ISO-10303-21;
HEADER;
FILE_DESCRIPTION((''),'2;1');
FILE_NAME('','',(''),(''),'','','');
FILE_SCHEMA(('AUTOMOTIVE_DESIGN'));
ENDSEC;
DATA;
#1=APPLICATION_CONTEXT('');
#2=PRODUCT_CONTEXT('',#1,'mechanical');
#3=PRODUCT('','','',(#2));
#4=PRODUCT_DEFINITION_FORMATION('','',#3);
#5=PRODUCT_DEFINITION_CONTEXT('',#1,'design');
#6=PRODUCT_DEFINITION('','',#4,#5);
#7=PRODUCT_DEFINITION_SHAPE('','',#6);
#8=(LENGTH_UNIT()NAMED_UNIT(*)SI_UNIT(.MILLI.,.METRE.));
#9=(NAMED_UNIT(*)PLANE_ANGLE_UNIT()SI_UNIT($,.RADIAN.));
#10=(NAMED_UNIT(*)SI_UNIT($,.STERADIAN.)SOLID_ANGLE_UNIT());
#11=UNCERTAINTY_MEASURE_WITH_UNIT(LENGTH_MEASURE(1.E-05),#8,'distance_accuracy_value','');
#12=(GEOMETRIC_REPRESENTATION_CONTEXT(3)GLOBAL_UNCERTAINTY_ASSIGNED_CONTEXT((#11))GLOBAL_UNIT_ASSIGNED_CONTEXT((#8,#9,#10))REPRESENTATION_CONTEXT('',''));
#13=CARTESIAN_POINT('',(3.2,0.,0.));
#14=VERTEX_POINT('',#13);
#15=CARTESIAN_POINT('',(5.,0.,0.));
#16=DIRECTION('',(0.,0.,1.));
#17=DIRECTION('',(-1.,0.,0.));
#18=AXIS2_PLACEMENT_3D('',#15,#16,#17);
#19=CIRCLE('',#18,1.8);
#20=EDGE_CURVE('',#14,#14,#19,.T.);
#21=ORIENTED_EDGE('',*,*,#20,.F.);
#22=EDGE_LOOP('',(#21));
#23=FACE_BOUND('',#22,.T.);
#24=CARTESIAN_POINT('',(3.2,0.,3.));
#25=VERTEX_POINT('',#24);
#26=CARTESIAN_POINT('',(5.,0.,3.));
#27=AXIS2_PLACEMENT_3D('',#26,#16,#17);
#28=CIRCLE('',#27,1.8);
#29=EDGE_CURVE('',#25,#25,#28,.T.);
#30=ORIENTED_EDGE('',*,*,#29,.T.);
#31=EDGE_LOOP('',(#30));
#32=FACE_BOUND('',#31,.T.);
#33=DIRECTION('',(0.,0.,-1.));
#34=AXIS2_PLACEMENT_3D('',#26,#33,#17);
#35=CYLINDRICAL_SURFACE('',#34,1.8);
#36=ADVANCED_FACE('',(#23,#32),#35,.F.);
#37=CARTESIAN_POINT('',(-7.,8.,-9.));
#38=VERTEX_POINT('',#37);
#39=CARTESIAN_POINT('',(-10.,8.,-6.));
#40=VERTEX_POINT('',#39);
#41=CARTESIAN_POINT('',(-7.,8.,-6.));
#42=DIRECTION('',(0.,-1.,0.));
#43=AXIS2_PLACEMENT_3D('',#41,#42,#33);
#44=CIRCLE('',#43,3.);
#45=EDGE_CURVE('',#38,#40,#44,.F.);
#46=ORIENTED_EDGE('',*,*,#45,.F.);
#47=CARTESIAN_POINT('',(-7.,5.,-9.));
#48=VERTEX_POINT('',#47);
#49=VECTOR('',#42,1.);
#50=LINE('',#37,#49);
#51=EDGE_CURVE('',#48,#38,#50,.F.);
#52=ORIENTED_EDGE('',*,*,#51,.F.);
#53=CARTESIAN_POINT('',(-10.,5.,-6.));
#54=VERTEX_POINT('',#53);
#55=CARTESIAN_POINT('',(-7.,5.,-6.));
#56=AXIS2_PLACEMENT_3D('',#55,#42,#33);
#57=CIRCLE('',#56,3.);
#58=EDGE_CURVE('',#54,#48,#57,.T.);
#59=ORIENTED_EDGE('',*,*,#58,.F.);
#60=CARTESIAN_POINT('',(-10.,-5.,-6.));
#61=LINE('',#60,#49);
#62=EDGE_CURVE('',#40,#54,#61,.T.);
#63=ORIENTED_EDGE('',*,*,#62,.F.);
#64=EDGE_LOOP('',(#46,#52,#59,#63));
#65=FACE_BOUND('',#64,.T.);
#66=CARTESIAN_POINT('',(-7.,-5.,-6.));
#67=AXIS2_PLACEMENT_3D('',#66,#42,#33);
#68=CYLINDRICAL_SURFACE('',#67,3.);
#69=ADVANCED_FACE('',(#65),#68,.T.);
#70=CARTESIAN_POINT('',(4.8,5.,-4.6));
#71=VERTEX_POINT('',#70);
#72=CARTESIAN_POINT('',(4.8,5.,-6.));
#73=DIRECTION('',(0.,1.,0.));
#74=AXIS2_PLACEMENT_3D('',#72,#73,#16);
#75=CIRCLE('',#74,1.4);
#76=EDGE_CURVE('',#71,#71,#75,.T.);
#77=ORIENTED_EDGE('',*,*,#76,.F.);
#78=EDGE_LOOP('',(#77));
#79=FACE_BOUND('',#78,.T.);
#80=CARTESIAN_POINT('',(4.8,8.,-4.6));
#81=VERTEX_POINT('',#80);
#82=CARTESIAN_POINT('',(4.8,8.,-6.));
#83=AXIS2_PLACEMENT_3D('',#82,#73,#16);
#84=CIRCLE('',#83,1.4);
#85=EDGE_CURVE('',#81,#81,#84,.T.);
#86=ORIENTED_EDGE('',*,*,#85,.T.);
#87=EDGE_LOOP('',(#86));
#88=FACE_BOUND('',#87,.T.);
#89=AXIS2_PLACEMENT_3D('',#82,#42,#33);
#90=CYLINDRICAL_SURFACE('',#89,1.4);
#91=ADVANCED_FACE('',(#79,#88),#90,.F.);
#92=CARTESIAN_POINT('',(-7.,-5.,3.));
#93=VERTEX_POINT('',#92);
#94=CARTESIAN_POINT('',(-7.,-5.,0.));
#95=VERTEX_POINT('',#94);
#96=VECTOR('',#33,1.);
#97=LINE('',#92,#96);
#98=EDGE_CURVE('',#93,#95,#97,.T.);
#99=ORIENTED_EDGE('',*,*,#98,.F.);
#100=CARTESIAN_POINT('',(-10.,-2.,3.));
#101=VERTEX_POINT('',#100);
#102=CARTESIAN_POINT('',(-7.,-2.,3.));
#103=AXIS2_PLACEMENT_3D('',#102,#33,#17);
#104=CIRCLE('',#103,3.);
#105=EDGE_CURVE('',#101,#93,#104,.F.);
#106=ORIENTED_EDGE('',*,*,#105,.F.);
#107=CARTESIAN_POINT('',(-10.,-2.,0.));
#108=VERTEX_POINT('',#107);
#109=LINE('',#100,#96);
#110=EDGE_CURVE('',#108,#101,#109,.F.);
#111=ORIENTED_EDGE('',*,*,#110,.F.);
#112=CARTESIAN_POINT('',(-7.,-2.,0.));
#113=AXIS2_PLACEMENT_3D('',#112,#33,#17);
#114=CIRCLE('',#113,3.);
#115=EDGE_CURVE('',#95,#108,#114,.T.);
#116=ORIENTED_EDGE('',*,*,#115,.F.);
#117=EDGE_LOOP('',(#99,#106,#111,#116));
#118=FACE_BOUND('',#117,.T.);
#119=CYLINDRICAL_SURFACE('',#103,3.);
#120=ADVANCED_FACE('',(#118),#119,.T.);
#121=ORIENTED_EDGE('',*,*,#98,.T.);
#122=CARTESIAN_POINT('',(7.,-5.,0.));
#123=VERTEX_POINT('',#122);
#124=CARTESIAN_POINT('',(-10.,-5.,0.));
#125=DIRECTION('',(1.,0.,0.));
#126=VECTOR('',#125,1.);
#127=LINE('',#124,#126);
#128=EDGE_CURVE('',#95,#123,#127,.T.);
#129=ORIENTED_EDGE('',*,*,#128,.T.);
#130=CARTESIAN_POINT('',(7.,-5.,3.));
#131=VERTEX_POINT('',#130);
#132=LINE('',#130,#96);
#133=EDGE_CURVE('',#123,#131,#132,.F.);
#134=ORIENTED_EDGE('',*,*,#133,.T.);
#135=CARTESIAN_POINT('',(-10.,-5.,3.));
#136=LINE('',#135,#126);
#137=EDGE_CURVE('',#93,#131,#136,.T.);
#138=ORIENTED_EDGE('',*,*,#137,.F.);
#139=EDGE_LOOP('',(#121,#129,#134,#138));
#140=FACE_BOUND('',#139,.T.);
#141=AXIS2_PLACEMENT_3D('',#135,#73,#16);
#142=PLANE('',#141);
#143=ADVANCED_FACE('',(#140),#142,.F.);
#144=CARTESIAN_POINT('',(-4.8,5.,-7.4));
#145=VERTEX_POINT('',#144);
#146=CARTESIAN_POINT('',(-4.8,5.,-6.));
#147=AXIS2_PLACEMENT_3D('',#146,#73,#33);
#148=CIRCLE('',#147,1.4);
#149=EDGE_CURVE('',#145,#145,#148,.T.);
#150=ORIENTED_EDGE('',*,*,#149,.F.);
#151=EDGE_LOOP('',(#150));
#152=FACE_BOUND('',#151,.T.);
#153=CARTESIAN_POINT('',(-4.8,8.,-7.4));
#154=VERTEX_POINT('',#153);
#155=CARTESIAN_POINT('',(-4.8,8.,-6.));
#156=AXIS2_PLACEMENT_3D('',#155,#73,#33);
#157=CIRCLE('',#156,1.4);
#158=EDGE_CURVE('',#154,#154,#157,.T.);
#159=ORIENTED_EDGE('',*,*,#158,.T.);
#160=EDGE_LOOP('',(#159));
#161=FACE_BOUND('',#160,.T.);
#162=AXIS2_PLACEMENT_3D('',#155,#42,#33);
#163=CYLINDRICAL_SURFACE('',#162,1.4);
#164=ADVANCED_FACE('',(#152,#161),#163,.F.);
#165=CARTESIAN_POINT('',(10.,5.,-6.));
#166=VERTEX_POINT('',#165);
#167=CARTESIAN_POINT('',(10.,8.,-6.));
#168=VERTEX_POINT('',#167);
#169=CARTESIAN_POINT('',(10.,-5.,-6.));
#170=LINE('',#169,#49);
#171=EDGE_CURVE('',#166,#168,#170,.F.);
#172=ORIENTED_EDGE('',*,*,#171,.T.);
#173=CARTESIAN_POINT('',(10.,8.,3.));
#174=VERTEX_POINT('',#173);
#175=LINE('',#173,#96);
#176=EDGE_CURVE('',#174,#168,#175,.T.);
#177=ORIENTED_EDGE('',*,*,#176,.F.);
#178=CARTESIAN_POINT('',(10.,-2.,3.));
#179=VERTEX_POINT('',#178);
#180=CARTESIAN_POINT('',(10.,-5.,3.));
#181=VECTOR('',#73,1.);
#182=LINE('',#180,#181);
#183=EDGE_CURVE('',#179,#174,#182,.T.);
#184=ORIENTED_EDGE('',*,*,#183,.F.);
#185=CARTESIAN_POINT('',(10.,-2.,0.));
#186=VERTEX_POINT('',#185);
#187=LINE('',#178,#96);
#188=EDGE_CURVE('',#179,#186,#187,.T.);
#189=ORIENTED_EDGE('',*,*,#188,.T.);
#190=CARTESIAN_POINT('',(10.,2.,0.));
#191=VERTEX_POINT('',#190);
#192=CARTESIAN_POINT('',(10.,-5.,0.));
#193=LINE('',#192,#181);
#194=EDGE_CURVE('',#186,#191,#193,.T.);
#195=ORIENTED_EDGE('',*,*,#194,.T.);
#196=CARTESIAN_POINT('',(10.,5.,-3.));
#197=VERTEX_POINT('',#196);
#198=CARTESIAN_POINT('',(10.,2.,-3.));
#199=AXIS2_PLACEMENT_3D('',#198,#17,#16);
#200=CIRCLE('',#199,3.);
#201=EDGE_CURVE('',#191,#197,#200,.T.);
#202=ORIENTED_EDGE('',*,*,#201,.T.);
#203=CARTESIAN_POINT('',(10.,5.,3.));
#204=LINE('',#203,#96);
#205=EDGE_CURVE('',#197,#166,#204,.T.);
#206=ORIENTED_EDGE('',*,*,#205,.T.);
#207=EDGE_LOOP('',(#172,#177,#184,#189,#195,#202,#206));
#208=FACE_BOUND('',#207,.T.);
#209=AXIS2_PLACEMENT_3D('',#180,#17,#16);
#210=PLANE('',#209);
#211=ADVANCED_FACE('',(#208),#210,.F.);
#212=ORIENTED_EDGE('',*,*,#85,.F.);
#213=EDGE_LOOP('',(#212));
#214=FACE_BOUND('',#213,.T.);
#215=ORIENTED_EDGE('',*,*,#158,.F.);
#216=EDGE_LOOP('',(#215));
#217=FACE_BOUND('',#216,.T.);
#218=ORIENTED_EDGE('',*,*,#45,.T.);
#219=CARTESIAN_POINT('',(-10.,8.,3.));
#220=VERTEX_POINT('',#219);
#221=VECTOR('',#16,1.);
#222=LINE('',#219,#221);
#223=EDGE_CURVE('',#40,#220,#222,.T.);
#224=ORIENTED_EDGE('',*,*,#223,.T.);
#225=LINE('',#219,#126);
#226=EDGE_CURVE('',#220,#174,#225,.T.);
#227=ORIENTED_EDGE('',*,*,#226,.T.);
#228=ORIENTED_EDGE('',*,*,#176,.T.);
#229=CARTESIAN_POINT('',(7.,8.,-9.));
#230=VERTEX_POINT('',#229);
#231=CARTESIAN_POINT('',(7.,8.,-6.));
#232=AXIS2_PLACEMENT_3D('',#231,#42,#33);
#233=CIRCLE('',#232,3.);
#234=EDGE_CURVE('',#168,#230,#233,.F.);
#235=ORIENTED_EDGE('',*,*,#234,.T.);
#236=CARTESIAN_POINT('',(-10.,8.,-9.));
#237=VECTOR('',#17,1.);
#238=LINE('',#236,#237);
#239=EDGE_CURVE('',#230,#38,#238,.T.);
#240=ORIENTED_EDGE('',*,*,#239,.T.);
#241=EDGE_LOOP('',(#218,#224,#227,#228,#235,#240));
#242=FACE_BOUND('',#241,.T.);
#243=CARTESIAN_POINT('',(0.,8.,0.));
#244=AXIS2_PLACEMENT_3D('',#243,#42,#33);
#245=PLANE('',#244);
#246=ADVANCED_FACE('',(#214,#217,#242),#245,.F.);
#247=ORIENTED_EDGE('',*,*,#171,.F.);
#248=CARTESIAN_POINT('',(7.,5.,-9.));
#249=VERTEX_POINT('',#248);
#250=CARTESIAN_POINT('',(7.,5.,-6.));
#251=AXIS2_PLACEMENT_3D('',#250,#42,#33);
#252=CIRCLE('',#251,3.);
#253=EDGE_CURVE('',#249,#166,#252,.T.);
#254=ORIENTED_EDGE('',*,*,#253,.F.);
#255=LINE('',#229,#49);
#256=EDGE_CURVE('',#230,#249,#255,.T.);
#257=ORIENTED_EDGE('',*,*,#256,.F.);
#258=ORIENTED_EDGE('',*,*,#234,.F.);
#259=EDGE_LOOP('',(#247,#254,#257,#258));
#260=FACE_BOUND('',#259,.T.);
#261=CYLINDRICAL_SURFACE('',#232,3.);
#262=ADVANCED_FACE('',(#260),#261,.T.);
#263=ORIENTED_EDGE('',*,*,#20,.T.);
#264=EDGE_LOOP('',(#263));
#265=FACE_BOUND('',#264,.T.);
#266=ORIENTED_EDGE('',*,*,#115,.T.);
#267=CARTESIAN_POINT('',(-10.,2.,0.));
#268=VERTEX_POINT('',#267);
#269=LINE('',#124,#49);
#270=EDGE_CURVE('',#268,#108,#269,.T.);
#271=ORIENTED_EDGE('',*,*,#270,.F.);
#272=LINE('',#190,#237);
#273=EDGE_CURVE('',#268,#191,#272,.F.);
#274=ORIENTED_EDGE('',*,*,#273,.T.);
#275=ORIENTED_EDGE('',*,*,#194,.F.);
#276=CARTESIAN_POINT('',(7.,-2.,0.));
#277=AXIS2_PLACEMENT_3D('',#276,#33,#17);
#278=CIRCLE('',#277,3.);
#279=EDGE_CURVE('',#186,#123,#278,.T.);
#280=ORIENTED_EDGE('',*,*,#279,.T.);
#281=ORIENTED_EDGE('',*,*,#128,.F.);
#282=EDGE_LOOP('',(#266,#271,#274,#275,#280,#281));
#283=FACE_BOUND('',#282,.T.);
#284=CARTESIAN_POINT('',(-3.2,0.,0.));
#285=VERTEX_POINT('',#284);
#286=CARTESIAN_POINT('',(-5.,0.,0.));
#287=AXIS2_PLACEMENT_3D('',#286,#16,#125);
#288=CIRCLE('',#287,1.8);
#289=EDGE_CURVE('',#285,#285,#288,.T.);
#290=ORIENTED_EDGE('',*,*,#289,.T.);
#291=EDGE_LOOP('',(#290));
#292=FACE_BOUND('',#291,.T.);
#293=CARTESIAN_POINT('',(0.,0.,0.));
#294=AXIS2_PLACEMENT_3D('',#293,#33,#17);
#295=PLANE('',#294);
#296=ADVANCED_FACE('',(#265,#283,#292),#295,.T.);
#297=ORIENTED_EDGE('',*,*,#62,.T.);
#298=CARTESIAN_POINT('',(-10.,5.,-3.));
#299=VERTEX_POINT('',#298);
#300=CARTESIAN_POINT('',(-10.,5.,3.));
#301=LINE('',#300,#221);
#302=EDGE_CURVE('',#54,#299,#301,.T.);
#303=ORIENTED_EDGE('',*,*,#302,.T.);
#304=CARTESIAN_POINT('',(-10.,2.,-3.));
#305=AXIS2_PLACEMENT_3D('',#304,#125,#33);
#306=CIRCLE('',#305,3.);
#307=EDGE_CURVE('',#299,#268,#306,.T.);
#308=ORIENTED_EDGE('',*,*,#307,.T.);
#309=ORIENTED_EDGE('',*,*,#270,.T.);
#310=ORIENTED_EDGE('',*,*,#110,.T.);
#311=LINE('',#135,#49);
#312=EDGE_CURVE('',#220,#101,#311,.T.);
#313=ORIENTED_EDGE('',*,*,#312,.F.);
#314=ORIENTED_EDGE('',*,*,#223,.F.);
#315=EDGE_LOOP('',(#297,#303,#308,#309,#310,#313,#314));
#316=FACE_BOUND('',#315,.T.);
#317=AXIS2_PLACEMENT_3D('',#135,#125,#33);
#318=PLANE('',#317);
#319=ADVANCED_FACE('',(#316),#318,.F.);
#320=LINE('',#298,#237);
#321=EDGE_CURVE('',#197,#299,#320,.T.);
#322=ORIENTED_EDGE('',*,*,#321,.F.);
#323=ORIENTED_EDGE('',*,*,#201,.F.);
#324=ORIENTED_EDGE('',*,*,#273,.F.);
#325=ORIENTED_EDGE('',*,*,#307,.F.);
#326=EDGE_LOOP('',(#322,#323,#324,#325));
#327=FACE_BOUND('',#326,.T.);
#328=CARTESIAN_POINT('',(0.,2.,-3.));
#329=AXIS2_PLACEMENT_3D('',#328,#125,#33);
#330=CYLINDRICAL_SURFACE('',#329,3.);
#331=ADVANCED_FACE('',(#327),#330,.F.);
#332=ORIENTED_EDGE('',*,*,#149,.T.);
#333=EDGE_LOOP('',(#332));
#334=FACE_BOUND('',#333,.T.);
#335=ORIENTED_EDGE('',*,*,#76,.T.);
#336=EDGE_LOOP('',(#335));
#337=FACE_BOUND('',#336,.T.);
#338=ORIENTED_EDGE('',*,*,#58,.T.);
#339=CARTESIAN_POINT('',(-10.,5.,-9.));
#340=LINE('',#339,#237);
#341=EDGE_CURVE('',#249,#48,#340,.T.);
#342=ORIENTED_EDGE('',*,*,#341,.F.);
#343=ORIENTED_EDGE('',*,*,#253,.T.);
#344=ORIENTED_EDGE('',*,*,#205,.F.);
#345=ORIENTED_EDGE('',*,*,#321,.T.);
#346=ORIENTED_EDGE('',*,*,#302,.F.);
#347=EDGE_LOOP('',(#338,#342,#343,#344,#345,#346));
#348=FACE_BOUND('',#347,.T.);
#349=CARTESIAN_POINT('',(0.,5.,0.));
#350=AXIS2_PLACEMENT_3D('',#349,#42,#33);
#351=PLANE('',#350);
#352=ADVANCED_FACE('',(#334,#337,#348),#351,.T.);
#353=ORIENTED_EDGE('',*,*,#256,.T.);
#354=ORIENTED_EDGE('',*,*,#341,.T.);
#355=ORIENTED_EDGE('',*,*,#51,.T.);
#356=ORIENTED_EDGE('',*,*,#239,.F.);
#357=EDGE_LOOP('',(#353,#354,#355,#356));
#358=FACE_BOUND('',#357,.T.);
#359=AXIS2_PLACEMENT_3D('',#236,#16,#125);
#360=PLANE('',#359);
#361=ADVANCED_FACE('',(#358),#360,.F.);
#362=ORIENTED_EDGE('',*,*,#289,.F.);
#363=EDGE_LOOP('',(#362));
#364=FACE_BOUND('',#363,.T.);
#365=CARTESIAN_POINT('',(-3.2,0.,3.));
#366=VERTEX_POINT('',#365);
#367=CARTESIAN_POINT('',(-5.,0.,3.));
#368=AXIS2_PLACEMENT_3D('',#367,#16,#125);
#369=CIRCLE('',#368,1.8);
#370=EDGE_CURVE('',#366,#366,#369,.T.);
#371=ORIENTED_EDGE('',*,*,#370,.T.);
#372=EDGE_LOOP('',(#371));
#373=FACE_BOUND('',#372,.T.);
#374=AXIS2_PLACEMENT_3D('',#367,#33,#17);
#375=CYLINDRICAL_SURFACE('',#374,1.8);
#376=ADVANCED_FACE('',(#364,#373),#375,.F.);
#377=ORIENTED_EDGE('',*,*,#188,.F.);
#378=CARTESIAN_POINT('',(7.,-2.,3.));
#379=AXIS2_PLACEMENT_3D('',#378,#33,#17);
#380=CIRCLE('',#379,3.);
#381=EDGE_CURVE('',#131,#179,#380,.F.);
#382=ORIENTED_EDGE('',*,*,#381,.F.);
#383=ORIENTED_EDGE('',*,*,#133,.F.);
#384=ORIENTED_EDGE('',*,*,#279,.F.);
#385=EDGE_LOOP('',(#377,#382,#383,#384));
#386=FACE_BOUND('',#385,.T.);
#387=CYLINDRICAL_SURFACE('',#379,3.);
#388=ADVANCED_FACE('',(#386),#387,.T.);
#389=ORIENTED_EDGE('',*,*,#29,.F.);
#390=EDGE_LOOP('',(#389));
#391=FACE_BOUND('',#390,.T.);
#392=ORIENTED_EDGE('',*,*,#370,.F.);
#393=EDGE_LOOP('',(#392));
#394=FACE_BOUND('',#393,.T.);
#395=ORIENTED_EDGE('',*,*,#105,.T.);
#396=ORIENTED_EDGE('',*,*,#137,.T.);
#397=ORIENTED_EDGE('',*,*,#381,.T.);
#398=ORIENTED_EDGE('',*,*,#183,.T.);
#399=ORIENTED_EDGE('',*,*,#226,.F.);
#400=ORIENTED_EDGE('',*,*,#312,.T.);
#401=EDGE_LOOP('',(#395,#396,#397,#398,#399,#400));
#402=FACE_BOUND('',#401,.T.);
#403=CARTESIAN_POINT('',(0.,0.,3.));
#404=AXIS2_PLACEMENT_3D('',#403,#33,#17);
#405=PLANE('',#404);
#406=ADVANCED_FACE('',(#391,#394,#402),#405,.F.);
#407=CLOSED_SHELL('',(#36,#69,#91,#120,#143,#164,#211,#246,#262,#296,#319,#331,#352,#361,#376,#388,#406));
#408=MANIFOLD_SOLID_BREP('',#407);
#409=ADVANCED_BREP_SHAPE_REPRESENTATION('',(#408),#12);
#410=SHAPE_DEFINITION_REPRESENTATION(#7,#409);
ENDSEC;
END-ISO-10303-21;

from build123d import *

# Parameters (mm, degrees)
SKETCH1_W           = 20
SKETCH1_H           = 10
SKETCH1_R           = 1.8
BOSS_EXTRUDE1_DEPTH = 3
SKETCH2_W           = 20
SKETCH2_H           = 12
SKETCH2_R           = 1.4
BOSS_EXTRUDE2_DEPTH = 3
FILLET1_R           = 3


with BuildPart() as part:
    # Sketch1 → Boss-Extrude1 (new body)
    with BuildSketch(Plane.XY):
        Rectangle(SKETCH1_W, SKETCH1_H)
        with Locations((-5, 0)):
            Circle(SKETCH1_R, mode=Mode.SUBTRACT)
        with Locations(Location((5, 0, 0), (0, 0, 180))):
            Circle(SKETCH1_R, mode=Mode.SUBTRACT)
    extrude(amount=BOSS_EXTRUDE1_DEPTH)

    # Sketch2 → Boss-Extrude2 (add)
    with BuildSketch(Plane(origin=(0, 5, 0), x_dir=(1, 0, 0), z_dir=(0, 1, 0))):
        with Locations((0, 3)):
            Rectangle(SKETCH2_W, SKETCH2_H)
        with Locations(Location((4.8, 6, 0), (0, 0, 270))):
            Circle(SKETCH2_R, mode=Mode.SUBTRACT)
        with Locations(Location((-4.8, 6, 0), (0, 0, 90))):
            Circle(SKETCH2_R, mode=Mode.SUBTRACT)
    extrude(amount=BOSS_EXTRUDE2_DEPTH)

    # Fillet1
    fillet1_edges = [part.edges().sort_by_distance(p)[0] for p in [
        (-10, 6.5, -9),
        (10, 6.5, -9),
        (0, 5, 0),
        (10, -5, 1.5),
        (-10, -5, 1.5),
    ]]
    fillet(fillet1_edges, radius=FILLET1_R)


solid = part.part
